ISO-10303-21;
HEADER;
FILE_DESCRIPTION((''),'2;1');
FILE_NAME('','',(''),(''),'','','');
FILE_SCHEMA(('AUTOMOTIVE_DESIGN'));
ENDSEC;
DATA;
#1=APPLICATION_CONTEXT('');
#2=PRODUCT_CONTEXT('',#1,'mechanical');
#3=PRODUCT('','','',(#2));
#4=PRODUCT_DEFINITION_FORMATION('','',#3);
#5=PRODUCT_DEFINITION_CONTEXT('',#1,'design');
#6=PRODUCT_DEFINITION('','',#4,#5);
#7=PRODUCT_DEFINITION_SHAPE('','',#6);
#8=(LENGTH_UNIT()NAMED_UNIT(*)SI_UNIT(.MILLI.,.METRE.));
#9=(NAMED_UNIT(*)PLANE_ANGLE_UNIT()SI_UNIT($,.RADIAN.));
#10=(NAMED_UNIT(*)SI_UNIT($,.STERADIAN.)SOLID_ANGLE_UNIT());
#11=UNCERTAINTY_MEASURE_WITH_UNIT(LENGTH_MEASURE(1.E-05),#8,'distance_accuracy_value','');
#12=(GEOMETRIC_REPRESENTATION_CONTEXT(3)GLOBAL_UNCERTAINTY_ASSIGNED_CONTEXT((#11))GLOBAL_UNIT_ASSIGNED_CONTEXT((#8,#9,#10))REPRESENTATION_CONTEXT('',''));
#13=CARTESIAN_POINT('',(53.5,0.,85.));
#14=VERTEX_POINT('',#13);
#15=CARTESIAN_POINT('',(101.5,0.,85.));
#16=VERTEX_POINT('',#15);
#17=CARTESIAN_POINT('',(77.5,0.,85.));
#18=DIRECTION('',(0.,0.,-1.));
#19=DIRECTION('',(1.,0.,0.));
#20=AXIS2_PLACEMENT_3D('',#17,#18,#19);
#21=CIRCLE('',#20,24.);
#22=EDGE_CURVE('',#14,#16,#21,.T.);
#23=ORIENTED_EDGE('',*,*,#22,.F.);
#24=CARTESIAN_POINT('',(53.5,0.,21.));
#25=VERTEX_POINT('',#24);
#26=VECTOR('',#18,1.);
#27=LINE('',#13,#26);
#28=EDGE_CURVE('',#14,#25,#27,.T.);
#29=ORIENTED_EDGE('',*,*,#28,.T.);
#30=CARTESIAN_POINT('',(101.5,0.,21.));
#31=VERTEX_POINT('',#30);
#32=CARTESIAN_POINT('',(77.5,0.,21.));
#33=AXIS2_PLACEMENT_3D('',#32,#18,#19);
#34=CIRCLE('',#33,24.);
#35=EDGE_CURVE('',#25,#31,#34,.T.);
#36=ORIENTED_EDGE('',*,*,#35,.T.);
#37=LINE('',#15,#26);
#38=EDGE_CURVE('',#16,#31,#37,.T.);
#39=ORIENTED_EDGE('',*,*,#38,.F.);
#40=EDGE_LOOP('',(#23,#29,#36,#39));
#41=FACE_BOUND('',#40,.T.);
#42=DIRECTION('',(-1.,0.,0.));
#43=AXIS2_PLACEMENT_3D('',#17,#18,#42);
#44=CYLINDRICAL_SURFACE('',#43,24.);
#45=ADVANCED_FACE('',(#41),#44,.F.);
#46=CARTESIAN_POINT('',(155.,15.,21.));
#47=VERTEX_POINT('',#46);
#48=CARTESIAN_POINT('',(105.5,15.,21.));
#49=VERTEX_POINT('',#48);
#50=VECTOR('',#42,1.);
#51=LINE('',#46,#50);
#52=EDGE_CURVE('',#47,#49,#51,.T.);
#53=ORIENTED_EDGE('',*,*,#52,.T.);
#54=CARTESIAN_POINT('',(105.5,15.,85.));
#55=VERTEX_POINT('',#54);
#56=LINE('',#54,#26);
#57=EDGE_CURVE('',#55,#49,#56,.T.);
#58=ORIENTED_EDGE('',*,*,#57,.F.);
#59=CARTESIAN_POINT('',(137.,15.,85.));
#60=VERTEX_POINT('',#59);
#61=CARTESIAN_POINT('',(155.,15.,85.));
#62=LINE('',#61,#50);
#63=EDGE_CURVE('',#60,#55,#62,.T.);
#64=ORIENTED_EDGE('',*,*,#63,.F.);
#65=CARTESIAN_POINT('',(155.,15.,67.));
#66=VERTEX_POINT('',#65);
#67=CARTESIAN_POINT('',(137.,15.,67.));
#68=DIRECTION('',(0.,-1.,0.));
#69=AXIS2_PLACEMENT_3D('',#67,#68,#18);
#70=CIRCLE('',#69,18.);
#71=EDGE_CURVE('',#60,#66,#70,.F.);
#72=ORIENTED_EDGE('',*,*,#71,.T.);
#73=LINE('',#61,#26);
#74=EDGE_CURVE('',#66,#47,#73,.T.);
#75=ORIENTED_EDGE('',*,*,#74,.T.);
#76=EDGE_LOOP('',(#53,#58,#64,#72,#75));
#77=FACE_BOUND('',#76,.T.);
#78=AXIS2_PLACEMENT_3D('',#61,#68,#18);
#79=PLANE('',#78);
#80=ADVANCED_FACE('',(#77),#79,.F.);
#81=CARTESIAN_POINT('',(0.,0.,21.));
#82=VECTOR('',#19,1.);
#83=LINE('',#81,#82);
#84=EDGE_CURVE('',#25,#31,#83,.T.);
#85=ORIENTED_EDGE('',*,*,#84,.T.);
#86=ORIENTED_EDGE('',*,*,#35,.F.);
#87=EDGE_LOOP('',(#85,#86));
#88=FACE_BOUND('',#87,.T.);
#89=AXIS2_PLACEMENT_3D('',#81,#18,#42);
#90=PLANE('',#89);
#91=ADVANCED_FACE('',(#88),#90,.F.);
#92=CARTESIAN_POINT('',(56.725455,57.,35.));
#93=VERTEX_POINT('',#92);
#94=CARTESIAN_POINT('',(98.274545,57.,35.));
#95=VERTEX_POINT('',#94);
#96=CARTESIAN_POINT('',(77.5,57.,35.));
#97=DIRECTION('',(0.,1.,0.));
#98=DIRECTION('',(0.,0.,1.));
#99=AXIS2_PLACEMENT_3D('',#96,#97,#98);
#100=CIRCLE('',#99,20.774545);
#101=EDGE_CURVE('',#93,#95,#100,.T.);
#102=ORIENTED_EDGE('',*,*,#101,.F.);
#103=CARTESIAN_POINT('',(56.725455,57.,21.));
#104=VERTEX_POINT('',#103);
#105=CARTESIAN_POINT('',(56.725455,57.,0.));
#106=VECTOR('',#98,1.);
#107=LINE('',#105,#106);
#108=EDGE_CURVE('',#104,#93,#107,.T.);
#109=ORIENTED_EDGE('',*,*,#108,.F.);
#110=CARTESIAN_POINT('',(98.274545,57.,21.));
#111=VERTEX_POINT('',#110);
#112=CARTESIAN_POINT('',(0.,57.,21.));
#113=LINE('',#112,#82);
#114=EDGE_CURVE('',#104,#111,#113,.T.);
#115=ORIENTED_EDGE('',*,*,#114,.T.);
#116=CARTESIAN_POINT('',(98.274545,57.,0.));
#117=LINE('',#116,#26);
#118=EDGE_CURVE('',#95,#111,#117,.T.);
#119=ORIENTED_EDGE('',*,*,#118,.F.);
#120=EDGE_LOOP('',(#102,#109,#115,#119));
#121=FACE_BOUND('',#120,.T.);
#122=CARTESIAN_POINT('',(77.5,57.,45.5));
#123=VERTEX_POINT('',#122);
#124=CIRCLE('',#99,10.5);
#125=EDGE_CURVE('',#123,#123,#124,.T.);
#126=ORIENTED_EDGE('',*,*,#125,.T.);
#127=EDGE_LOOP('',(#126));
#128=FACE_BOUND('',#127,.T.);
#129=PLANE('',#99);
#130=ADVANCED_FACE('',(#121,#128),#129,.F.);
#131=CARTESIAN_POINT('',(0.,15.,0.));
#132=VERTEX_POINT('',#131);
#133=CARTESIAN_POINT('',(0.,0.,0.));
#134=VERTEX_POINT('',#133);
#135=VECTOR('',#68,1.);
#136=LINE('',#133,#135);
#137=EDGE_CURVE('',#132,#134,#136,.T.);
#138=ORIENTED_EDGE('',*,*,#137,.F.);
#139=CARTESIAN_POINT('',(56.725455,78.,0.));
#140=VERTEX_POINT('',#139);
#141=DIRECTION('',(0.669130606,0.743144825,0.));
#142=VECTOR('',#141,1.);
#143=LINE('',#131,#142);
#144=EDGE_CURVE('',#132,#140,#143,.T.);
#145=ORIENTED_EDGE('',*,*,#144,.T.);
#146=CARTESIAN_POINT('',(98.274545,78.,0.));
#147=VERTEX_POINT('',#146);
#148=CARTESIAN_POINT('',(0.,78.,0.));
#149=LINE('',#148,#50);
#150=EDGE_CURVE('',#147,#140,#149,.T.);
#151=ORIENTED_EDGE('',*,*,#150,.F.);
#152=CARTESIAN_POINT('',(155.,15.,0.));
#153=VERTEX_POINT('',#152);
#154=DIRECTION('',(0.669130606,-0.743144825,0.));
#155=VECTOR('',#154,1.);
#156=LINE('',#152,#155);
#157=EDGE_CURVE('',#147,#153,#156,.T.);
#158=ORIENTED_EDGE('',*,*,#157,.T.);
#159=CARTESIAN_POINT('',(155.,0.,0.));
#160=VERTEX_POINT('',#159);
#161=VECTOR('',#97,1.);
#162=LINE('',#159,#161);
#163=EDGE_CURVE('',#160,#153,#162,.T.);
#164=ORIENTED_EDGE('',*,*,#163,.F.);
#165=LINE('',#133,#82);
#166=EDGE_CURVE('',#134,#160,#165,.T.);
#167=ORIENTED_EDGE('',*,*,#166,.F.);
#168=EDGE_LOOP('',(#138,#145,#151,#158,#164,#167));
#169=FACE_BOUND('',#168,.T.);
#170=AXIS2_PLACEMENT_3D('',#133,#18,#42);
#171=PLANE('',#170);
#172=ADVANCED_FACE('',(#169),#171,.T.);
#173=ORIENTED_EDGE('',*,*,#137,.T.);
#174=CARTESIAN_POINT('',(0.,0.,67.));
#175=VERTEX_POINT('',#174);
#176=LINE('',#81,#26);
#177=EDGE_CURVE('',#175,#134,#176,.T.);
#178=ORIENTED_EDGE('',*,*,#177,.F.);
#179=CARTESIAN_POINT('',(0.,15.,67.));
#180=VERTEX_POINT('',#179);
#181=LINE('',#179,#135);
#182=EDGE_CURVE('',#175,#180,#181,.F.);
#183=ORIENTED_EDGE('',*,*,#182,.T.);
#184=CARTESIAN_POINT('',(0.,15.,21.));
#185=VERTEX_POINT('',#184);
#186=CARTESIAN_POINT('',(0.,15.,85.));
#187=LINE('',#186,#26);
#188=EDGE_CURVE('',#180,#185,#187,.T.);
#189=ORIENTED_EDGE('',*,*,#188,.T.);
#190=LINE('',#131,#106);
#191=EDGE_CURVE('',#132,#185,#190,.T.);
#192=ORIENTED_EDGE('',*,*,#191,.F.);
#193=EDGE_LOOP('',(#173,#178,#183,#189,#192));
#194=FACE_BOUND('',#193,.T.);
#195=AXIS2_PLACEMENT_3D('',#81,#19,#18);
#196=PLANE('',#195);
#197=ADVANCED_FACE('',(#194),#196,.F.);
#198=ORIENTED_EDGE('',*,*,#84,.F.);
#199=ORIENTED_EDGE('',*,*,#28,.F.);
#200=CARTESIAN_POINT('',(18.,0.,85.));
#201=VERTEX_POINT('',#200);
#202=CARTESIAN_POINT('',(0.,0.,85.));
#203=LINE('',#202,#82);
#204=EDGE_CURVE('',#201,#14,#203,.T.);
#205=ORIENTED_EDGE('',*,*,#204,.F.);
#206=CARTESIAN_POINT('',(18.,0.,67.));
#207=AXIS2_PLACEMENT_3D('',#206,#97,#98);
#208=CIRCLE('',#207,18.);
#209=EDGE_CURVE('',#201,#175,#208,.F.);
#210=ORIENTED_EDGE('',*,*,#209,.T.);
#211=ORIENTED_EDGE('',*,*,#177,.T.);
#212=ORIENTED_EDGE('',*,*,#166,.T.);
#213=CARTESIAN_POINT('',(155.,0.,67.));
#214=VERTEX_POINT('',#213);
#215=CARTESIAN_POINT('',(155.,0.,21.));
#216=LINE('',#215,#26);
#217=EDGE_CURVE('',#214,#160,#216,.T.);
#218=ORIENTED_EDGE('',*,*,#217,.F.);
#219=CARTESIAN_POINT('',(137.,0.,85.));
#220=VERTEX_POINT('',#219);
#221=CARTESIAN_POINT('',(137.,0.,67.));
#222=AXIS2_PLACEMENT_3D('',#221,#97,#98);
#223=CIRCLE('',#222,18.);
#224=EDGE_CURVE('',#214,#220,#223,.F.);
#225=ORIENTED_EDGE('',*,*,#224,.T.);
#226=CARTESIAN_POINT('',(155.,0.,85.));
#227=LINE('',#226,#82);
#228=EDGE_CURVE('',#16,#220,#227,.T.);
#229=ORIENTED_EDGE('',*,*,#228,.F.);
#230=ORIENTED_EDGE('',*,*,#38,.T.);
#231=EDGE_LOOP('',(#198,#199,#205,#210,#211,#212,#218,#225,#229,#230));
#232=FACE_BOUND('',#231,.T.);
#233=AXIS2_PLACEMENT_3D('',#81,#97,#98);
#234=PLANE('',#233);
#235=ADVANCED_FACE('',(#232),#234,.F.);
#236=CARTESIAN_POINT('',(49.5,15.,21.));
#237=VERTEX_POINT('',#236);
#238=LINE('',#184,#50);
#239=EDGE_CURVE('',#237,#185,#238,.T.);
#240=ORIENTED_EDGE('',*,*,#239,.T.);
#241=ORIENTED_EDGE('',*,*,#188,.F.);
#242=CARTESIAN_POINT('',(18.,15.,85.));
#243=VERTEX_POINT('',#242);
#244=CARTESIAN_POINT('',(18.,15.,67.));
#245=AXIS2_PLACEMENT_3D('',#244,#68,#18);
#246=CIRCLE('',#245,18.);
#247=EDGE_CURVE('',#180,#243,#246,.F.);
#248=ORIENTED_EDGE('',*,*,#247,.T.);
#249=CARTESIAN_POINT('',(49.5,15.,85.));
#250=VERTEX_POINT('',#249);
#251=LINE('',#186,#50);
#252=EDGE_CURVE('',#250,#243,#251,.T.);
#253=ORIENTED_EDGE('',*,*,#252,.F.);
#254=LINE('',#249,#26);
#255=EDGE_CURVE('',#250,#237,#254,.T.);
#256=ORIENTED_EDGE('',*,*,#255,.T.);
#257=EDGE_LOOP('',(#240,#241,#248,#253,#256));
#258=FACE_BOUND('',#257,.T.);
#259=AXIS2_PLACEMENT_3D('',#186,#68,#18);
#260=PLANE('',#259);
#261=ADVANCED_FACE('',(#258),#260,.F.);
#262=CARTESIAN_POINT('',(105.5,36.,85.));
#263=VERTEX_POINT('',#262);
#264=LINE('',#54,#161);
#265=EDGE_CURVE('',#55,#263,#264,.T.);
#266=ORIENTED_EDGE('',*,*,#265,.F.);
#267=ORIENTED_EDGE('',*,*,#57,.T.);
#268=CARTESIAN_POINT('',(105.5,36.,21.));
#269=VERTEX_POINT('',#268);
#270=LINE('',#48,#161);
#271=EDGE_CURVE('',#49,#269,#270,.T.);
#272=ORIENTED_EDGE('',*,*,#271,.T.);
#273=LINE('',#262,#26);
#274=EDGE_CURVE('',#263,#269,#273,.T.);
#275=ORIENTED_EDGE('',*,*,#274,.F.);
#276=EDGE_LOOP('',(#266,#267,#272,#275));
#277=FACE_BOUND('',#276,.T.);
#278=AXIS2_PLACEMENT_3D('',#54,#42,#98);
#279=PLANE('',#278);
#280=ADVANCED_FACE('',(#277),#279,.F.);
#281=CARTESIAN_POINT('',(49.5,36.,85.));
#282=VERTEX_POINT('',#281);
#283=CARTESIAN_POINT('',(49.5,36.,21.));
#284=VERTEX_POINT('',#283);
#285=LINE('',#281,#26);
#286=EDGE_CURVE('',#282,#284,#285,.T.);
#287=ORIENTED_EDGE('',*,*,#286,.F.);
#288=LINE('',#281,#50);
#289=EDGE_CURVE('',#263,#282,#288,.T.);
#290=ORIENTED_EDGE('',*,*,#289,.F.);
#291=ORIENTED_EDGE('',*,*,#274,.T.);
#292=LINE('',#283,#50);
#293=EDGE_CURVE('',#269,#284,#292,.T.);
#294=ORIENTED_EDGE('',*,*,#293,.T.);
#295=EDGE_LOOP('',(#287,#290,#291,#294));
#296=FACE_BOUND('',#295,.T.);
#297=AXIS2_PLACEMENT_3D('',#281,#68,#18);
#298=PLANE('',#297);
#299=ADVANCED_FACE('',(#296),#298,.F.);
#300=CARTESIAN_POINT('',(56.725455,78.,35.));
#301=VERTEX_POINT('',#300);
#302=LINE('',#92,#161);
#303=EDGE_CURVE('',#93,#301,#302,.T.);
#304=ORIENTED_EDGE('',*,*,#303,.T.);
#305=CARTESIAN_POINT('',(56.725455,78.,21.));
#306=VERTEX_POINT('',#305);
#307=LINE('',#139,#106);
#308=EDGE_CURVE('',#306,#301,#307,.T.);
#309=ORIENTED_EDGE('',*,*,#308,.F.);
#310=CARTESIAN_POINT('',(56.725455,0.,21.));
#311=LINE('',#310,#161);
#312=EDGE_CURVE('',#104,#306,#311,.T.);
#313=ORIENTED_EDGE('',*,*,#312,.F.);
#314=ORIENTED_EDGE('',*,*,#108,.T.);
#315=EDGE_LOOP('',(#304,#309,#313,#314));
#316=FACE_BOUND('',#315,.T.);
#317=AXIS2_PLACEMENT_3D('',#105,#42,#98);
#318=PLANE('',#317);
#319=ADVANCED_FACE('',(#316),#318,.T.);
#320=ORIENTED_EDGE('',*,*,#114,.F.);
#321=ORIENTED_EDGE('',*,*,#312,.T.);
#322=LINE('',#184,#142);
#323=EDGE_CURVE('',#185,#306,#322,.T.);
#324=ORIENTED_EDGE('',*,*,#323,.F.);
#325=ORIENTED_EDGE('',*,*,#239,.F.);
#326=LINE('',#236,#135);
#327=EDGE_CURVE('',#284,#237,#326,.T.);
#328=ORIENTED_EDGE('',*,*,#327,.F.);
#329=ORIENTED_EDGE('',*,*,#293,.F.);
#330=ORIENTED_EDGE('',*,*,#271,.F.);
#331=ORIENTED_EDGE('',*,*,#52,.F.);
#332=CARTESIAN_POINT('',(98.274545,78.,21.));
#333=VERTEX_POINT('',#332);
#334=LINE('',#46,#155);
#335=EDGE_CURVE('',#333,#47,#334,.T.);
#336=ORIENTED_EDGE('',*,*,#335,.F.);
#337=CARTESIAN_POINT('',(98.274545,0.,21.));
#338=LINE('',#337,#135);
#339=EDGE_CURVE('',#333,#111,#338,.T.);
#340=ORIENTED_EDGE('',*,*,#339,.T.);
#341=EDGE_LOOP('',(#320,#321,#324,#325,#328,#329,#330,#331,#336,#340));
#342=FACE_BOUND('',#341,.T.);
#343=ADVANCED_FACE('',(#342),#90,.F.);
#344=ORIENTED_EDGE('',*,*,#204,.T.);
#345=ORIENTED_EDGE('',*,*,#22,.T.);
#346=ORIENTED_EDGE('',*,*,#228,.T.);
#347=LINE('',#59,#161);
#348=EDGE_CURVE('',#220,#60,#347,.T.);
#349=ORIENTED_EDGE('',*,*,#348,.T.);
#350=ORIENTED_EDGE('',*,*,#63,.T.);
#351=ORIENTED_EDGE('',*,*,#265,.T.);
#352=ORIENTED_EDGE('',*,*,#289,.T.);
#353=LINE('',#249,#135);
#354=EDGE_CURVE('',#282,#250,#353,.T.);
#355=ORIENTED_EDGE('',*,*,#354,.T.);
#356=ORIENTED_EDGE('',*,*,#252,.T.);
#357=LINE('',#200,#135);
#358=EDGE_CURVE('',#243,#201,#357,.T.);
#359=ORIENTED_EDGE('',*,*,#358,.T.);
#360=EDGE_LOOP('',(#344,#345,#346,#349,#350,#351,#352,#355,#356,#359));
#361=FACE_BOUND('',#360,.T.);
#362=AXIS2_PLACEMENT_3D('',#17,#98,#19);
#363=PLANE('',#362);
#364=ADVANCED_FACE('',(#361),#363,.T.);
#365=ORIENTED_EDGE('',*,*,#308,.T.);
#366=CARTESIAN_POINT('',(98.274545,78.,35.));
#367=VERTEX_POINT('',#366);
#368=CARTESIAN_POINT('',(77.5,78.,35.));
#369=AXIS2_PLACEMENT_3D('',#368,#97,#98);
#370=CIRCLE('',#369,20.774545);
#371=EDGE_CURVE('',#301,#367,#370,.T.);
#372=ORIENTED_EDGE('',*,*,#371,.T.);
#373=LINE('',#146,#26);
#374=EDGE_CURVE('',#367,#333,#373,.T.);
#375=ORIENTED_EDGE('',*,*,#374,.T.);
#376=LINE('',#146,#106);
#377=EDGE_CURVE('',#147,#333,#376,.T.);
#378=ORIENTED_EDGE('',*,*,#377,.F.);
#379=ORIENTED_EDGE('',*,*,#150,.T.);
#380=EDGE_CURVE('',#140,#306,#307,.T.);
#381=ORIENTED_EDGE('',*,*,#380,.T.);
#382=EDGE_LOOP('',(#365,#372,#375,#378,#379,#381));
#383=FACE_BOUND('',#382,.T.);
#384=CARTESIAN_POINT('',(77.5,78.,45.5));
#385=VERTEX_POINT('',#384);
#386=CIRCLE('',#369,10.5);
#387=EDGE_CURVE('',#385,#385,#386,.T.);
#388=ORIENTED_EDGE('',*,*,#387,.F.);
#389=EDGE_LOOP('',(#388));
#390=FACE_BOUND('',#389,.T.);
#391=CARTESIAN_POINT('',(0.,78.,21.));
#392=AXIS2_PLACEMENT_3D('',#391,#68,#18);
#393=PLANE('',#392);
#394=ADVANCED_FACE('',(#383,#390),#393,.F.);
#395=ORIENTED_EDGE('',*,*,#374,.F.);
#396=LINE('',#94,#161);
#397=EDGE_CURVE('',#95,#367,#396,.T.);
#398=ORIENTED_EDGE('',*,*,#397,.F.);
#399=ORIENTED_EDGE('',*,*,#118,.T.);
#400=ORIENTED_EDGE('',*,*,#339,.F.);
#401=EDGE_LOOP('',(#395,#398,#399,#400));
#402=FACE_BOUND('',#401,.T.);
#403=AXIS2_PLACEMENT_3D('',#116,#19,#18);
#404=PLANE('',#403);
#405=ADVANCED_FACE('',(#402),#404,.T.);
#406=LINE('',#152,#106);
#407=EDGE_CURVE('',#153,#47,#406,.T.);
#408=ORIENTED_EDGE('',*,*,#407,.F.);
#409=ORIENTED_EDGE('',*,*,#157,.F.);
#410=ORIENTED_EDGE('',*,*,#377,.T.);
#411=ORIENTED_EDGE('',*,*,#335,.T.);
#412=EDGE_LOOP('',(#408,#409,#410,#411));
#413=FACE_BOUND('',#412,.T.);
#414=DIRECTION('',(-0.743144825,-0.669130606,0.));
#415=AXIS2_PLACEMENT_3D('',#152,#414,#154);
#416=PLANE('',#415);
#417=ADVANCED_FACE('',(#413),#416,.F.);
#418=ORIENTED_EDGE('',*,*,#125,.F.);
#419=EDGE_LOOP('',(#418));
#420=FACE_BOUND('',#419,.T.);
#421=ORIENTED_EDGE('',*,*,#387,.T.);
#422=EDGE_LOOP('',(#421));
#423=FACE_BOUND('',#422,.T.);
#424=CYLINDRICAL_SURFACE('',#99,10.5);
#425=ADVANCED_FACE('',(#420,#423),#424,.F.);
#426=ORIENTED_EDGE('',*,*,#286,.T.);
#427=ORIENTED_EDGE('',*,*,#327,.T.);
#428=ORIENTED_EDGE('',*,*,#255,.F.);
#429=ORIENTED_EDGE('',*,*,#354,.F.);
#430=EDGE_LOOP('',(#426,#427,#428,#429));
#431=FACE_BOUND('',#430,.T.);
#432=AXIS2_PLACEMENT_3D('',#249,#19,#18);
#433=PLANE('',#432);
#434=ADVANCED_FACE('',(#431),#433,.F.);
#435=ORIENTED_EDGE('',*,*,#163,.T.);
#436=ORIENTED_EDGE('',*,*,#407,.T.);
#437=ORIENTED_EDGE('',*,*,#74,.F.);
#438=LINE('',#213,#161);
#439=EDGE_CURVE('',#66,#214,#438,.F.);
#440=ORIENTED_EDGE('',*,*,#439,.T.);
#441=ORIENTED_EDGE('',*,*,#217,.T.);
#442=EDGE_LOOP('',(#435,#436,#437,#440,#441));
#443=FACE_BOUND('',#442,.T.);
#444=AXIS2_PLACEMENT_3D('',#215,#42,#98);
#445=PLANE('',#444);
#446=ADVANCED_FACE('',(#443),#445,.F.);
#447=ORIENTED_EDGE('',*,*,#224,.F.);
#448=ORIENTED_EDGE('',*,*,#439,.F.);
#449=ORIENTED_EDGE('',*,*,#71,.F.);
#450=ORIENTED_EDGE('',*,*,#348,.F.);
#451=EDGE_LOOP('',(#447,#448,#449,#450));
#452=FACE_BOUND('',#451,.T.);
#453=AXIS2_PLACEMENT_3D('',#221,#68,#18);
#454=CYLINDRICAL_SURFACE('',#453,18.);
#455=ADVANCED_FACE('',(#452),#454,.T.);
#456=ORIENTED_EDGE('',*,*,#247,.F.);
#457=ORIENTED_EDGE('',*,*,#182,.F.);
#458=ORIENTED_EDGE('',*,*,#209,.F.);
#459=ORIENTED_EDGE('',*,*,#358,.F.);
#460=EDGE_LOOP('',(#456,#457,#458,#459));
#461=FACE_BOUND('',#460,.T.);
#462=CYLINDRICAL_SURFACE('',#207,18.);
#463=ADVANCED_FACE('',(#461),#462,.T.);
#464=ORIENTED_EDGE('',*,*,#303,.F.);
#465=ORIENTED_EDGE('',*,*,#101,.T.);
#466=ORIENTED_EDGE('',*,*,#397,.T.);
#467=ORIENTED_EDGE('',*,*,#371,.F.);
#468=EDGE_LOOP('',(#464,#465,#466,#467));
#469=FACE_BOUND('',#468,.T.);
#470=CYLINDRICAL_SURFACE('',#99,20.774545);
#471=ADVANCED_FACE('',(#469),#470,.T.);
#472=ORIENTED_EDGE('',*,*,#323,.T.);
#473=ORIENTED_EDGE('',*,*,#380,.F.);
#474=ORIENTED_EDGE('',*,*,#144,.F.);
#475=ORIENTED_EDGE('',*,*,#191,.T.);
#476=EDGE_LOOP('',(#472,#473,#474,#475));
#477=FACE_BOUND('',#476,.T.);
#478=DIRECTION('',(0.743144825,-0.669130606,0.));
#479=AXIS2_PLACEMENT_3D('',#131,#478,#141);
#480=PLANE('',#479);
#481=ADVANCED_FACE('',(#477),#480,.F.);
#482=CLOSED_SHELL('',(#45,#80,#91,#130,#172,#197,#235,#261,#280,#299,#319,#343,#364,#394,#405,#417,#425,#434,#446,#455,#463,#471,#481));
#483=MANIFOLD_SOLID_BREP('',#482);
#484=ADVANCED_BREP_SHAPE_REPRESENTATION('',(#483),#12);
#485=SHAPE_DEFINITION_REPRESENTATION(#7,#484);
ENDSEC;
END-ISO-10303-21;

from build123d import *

# Parameters (mm, degrees)
SKETCH2_W           = 155
SKETCH2_H           = 78
BOSS_EXTRUDE1_DEPTH = 21
BOSS_EXTRUDE2_DEPTH = 64
FILLET1_R           = 18
CUT_EXTRUDE1_DEPTH  = 22
SKETCH5_R           = 10.5
BOSS_EXTRUDE3_DEPTH = 21


with BuildPart() as part:
    # Sketch2 → Boss-Extrude1 (new body)
    with BuildSketch(Plane.XY):
        with Locations((77.5, 39)):
            Rectangle(SKETCH2_W, SKETCH2_H)
    extrude(amount=BOSS_EXTRUDE1_DEPTH)

    # Sketch3 → Boss-Extrude2 (add)
    with BuildSketch(Plane.XY.offset(21)):
        with BuildLine():
            Line((0, 0), (53.5, 0))
            ThreePointArc((53.5, 0), (77.5, 24), (101.5, 0))
            Line((101.5, 0), (155, 0))
            Line((155, 0), (155, 15))
            Line((155, 15), (105.5, 15))
            Line((105.5, 15), (105.5, 36))
            Line((105.5, 36), (49.5, 36))
            Line((49.5, 36), (49.5, 15))
            Line((49.5, 15), (0, 15))
            Line((0, 15), (0, 0))
        make_face()
    extrude(amount=BOSS_EXTRUDE2_DEPTH)

    # Fillet1
    fillet1_edges = [part.edges().sort_by_distance(p)[0] for p in [
        (0, 7.5, 85),
        (155, 7.5, 85),
    ]]
    fillet(fillet1_edges, radius=FILLET1_R)

    # Sketch4 → Cut-Extrude1 (cut, through all)
    with BuildSketch(Plane.XY.offset(21)):
        Polygon((0, 15), (56.725454791, 78), (0, 78), align=None)
        Polygon((155, 15), (98.274545209, 78), (155, 78), align=None)
    extrude(amount=-CUT_EXTRUDE1_DEPTH, mode=Mode.SUBTRACT)

    # Sketch5 → Boss-Extrude3 (add)
    with BuildSketch(Plane(origin=(0, 78, 0), x_dir=(1, 0, 0), z_dir=(0, 1, 0))):
        with BuildLine():
            Line((56.725454791, 0), (56.725454791, -35))
            ThreePointArc((56.725454791, -35), (77.5, -55.774545209), (98.274545209, -35))
            Line((98.274545209, -35), (98.274545209, 0))
            Line((98.274545209, 0), (56.725454791, 0))
        make_face()
        with Locations((77.5, -35)):
            Circle(SKETCH5_R, mode=Mode.SUBTRACT)
    extrude(amount=-BOSS_EXTRUDE3_DEPTH)


solid = part.part
